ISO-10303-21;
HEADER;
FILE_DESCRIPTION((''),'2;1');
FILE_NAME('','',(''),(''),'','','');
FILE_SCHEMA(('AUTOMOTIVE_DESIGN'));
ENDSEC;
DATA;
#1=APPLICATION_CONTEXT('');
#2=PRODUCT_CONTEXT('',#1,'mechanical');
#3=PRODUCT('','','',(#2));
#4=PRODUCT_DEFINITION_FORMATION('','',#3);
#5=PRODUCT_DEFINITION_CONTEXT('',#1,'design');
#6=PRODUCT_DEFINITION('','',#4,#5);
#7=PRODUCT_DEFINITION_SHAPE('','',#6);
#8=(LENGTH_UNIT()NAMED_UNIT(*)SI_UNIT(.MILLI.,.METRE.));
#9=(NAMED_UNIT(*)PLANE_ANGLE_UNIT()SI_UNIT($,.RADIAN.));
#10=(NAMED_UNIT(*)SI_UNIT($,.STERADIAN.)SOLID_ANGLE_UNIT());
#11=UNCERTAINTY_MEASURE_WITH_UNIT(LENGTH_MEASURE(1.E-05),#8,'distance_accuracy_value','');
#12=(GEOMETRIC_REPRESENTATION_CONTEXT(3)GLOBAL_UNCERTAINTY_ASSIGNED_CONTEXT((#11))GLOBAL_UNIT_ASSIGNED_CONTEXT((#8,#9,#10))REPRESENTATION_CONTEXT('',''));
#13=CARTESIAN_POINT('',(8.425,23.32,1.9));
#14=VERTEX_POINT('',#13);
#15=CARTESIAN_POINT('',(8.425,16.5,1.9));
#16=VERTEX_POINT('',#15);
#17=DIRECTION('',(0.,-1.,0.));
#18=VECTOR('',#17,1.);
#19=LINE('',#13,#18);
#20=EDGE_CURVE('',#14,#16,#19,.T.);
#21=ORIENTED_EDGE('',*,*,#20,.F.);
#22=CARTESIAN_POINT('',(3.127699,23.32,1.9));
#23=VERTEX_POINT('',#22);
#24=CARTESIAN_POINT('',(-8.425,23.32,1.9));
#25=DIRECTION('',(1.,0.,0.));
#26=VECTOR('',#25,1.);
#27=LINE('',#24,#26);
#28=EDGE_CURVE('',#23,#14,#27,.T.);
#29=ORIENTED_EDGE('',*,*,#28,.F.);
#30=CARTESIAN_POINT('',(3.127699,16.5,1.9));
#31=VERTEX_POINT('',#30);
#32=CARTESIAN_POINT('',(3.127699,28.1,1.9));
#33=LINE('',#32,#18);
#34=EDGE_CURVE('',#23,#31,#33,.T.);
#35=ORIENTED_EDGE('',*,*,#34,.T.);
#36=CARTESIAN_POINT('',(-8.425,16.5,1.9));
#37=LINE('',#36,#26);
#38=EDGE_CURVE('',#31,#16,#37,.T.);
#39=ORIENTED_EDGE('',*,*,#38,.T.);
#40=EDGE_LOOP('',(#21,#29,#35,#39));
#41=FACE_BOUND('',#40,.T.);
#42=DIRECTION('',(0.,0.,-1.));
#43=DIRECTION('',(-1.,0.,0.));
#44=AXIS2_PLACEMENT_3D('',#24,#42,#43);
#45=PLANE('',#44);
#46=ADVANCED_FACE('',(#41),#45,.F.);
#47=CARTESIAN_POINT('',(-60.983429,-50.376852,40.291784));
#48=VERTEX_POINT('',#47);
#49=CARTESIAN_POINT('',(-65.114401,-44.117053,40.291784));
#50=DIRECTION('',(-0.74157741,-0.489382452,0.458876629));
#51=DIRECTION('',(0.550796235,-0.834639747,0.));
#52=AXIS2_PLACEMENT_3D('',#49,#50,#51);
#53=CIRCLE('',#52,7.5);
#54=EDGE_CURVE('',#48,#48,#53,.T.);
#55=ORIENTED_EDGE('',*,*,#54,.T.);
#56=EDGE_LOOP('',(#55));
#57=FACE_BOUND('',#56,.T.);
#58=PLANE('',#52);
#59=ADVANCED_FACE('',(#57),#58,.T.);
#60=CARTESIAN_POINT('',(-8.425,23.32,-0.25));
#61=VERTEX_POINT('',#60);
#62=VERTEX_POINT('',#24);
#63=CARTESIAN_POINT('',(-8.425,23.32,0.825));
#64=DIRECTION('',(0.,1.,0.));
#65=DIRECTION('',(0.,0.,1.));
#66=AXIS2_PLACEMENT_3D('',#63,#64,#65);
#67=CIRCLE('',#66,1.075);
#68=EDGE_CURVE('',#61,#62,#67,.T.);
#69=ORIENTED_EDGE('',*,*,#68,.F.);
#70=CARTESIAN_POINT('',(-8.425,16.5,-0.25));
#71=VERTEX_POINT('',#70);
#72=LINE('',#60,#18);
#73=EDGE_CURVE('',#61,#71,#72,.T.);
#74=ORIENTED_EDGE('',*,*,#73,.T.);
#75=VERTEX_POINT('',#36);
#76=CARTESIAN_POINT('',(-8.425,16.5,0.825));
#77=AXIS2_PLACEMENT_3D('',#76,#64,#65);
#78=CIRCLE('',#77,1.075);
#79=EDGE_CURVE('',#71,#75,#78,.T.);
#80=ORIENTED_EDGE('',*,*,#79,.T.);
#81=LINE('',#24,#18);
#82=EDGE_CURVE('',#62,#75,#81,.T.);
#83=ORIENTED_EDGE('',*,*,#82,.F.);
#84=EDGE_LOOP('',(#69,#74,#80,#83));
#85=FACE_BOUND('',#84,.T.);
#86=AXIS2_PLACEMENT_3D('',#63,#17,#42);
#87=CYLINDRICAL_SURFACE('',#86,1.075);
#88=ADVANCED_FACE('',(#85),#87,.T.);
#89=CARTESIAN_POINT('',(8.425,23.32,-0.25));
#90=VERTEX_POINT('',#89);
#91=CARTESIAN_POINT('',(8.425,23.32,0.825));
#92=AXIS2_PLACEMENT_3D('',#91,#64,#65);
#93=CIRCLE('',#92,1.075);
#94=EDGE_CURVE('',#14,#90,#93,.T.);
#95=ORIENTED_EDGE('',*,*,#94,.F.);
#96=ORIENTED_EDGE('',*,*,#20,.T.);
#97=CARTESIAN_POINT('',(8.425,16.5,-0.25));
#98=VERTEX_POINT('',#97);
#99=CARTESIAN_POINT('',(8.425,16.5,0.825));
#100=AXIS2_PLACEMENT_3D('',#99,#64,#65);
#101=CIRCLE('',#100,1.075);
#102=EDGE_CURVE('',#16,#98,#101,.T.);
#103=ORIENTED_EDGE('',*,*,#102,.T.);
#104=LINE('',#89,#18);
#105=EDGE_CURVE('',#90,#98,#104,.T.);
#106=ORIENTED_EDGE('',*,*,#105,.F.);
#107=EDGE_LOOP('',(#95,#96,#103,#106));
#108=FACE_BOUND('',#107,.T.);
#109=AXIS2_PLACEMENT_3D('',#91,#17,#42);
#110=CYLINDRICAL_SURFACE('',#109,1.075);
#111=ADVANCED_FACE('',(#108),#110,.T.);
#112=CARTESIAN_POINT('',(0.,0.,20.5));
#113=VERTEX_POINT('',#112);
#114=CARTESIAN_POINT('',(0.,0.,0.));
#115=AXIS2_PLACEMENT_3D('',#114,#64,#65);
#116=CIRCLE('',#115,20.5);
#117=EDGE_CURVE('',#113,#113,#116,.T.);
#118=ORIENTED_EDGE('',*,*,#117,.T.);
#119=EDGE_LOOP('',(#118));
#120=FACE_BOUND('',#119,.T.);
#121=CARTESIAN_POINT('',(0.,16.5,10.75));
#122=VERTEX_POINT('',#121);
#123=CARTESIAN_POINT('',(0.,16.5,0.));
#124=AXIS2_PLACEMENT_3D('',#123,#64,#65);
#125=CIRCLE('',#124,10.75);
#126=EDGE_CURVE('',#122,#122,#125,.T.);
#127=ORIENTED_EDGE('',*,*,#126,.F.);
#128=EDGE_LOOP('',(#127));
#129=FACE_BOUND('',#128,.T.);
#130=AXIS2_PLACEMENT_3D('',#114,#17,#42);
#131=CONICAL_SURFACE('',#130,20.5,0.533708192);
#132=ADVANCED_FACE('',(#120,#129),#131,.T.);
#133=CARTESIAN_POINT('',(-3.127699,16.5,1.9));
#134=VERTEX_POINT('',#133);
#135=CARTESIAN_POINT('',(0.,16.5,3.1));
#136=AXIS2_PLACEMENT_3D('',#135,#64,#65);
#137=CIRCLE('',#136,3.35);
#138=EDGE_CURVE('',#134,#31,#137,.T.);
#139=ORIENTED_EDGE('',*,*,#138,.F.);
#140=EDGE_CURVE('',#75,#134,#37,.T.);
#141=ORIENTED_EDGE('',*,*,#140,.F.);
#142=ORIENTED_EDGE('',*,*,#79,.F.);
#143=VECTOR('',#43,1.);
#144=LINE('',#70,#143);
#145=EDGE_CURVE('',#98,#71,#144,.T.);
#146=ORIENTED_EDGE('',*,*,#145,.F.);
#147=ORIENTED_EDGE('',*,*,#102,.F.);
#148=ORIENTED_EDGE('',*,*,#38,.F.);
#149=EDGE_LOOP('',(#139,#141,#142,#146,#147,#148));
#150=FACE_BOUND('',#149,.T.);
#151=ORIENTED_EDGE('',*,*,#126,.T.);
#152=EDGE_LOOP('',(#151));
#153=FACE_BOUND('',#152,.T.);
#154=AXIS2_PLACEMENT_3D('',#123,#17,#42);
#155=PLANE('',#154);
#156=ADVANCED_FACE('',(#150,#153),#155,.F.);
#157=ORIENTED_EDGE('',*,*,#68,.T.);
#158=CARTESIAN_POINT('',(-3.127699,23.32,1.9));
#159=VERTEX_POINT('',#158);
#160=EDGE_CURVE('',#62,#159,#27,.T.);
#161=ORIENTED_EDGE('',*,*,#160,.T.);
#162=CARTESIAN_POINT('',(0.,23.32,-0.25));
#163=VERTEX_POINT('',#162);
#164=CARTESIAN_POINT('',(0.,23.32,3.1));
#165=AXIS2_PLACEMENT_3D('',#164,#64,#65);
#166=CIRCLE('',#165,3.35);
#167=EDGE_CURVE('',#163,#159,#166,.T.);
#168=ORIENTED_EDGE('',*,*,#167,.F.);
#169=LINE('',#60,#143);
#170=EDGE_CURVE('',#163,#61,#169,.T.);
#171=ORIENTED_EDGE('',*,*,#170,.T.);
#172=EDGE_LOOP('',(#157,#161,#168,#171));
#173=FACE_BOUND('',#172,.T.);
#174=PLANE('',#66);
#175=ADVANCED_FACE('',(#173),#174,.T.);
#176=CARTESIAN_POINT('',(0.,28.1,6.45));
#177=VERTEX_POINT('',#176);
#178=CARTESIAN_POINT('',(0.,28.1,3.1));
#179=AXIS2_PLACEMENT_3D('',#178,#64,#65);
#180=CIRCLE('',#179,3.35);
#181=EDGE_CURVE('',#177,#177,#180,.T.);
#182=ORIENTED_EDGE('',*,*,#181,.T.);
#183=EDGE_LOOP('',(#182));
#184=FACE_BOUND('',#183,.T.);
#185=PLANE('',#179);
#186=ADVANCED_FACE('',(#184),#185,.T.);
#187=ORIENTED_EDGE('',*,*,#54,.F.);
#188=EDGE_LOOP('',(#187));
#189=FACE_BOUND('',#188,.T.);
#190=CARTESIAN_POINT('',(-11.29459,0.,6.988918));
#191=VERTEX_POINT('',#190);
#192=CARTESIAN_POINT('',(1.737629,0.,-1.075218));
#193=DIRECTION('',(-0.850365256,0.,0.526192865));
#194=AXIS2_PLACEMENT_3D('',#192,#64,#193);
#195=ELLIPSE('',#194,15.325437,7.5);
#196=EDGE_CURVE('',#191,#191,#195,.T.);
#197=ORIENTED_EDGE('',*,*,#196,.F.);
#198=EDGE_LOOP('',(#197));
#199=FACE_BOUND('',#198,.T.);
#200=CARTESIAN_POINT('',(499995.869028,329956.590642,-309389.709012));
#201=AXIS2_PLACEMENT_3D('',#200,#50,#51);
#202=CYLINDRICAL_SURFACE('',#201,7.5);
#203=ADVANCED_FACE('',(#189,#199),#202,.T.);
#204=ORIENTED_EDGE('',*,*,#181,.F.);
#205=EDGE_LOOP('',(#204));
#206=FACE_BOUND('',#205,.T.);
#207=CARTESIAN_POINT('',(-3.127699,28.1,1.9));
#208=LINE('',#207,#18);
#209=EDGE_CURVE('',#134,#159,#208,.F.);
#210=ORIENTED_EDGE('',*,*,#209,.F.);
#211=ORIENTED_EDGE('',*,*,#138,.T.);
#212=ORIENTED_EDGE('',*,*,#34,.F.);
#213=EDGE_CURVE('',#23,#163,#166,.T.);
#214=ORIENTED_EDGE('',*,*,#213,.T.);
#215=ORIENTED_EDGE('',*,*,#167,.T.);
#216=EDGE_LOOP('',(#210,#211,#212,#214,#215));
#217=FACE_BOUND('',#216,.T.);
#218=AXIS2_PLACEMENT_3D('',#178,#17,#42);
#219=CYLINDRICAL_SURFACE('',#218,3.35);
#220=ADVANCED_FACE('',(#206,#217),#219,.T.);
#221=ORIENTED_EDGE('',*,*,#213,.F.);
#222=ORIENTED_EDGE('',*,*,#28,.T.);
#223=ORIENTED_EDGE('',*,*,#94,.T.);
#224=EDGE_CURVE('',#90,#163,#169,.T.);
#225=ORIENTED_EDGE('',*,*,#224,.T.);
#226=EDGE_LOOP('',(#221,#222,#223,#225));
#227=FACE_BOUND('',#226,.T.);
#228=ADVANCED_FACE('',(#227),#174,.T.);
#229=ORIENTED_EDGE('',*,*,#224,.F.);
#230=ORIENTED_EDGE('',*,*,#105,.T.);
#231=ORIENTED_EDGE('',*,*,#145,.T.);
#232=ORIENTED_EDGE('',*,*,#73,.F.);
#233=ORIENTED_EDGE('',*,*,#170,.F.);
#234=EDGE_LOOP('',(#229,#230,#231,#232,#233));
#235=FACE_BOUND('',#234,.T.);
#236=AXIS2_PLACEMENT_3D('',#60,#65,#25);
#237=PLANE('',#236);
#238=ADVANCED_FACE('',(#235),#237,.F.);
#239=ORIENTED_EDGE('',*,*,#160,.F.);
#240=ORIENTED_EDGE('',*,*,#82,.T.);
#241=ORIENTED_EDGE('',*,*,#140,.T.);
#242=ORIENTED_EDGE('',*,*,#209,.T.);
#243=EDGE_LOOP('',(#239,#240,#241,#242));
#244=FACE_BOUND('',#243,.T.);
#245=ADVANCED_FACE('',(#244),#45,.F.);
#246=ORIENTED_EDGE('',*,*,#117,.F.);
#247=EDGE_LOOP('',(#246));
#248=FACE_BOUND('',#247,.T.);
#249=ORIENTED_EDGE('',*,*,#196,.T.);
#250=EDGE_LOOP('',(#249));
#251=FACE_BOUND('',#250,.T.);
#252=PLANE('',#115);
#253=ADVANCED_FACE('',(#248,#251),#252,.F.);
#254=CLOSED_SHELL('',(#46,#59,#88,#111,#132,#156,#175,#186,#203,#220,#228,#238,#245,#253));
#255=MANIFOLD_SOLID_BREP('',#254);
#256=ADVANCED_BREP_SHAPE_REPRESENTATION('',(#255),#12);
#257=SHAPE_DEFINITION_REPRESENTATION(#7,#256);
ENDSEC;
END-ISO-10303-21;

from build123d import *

# Parameters (mm, degrees)
SKETCH2_R                       = 3.35
BOSS_EXTRUDE1_DEPTH             = 11.6
BOSS_EXTRUDE2_DEPTH             = 6.82
SKETCH8_R                       = 7.5
BOSS_EXTRUDE3_DEPTH             = 80
BOSS_EXTRUDE3_DIRECTION_2_REACH = 50.394


with BuildPart() as part:
    # Sketch1 → Revolve1 (revolve)
    with BuildSketch(Plane(origin=(0, 0, 0), x_dir=(0, 0, -1), z_dir=(1, 0, 0)), mode=Mode.PRIVATE) as revolve1_sk:
        Polygon((0, 16.5), (0, 0), (20.5, 0), (10.75, 16.5), align=None)
    revolve(revolve1_sk.sketch.rotate(Axis((0, 16.5, 0), (0, -1, 0)), 180), axis=Axis((0, 16.5, 0), (0, -1, 0)))

    # Sketch2 → Boss-Extrude1 (add)
    with BuildSketch(Plane(origin=(0, 16.5, 0), x_dir=(1, 0, 0), z_dir=(0, 1, 0))):
        with Locations(Location((0, -3.1, 0), (0, 0, 270))):
            Circle(SKETCH2_R)
    extrude(amount=BOSS_EXTRUDE1_DEPTH)

    # Sketch3 → Boss-Extrude2 (add)
    with BuildSketch(Plane(origin=(0, 16.5, 0), x_dir=(1, 0, 0), z_dir=(0, 1, 0))):
        with BuildLine():
            Line((-8.425, 0.25), (8.425, 0.25))
            ThreePointArc((8.425, 0.25), (9.5, -0.825), (8.425, -1.9))
            Line((8.425, -1.9), (-8.425, -1.9))
            ThreePointArc((-8.425, -1.9), (-9.5, -0.825), (-8.425, 0.25))
        make_face()
    extrude(amount=BOSS_EXTRUDE2_DEPTH)

    # Sketch8 → Boss-Extrude3 (add)
    with BuildSketch(Plane(origin=(-6.20436158, -4.094388045, 3.839162967), x_dir=(0.5261928654830319, 0, 0.8503652558252577), z_dir=(-0.7415774099490876, -0.4893824517488441, 0.458876629360761))):
        with Locations(Location((0, -1, 0), (0, 0, 286.847482278))):
            Circle(SKETCH8_R)
    extrude(amount=BOSS_EXTRUDE3_DEPTH)

    # Sketch8 → Boss-Extrude3 direction 2 (add, up to next)
    with BuildSketch(Plane(origin=(-6.20436158, -4.094388045, 3.839162967), x_dir=(0.5261928654830319, 0, 0.8503652558252577), z_dir=(-0.7415774099490876, -0.4893824517488441, 0.458876629360761)), mode=Mode.PRIVATE) as boss_extrude3_direction_2_sk1:
        with Locations(Location((0, -1, 0), (0, 0, 286.847482278))):
            Circle(SKETCH8_R)
    boss_extrude3_direction_2_tool1 = extrude(boss_extrude3_direction_2_sk1.sketch, amount=-BOSS_EXTRUDE3_DIRECTION_2_REACH, mode=Mode.PRIVATE) - part.part
    add(boss_extrude3_direction_2_tool1.solids().sort_by_distance((-5.788208, -4.966457, 3.581653))[0])


solid = part.part
